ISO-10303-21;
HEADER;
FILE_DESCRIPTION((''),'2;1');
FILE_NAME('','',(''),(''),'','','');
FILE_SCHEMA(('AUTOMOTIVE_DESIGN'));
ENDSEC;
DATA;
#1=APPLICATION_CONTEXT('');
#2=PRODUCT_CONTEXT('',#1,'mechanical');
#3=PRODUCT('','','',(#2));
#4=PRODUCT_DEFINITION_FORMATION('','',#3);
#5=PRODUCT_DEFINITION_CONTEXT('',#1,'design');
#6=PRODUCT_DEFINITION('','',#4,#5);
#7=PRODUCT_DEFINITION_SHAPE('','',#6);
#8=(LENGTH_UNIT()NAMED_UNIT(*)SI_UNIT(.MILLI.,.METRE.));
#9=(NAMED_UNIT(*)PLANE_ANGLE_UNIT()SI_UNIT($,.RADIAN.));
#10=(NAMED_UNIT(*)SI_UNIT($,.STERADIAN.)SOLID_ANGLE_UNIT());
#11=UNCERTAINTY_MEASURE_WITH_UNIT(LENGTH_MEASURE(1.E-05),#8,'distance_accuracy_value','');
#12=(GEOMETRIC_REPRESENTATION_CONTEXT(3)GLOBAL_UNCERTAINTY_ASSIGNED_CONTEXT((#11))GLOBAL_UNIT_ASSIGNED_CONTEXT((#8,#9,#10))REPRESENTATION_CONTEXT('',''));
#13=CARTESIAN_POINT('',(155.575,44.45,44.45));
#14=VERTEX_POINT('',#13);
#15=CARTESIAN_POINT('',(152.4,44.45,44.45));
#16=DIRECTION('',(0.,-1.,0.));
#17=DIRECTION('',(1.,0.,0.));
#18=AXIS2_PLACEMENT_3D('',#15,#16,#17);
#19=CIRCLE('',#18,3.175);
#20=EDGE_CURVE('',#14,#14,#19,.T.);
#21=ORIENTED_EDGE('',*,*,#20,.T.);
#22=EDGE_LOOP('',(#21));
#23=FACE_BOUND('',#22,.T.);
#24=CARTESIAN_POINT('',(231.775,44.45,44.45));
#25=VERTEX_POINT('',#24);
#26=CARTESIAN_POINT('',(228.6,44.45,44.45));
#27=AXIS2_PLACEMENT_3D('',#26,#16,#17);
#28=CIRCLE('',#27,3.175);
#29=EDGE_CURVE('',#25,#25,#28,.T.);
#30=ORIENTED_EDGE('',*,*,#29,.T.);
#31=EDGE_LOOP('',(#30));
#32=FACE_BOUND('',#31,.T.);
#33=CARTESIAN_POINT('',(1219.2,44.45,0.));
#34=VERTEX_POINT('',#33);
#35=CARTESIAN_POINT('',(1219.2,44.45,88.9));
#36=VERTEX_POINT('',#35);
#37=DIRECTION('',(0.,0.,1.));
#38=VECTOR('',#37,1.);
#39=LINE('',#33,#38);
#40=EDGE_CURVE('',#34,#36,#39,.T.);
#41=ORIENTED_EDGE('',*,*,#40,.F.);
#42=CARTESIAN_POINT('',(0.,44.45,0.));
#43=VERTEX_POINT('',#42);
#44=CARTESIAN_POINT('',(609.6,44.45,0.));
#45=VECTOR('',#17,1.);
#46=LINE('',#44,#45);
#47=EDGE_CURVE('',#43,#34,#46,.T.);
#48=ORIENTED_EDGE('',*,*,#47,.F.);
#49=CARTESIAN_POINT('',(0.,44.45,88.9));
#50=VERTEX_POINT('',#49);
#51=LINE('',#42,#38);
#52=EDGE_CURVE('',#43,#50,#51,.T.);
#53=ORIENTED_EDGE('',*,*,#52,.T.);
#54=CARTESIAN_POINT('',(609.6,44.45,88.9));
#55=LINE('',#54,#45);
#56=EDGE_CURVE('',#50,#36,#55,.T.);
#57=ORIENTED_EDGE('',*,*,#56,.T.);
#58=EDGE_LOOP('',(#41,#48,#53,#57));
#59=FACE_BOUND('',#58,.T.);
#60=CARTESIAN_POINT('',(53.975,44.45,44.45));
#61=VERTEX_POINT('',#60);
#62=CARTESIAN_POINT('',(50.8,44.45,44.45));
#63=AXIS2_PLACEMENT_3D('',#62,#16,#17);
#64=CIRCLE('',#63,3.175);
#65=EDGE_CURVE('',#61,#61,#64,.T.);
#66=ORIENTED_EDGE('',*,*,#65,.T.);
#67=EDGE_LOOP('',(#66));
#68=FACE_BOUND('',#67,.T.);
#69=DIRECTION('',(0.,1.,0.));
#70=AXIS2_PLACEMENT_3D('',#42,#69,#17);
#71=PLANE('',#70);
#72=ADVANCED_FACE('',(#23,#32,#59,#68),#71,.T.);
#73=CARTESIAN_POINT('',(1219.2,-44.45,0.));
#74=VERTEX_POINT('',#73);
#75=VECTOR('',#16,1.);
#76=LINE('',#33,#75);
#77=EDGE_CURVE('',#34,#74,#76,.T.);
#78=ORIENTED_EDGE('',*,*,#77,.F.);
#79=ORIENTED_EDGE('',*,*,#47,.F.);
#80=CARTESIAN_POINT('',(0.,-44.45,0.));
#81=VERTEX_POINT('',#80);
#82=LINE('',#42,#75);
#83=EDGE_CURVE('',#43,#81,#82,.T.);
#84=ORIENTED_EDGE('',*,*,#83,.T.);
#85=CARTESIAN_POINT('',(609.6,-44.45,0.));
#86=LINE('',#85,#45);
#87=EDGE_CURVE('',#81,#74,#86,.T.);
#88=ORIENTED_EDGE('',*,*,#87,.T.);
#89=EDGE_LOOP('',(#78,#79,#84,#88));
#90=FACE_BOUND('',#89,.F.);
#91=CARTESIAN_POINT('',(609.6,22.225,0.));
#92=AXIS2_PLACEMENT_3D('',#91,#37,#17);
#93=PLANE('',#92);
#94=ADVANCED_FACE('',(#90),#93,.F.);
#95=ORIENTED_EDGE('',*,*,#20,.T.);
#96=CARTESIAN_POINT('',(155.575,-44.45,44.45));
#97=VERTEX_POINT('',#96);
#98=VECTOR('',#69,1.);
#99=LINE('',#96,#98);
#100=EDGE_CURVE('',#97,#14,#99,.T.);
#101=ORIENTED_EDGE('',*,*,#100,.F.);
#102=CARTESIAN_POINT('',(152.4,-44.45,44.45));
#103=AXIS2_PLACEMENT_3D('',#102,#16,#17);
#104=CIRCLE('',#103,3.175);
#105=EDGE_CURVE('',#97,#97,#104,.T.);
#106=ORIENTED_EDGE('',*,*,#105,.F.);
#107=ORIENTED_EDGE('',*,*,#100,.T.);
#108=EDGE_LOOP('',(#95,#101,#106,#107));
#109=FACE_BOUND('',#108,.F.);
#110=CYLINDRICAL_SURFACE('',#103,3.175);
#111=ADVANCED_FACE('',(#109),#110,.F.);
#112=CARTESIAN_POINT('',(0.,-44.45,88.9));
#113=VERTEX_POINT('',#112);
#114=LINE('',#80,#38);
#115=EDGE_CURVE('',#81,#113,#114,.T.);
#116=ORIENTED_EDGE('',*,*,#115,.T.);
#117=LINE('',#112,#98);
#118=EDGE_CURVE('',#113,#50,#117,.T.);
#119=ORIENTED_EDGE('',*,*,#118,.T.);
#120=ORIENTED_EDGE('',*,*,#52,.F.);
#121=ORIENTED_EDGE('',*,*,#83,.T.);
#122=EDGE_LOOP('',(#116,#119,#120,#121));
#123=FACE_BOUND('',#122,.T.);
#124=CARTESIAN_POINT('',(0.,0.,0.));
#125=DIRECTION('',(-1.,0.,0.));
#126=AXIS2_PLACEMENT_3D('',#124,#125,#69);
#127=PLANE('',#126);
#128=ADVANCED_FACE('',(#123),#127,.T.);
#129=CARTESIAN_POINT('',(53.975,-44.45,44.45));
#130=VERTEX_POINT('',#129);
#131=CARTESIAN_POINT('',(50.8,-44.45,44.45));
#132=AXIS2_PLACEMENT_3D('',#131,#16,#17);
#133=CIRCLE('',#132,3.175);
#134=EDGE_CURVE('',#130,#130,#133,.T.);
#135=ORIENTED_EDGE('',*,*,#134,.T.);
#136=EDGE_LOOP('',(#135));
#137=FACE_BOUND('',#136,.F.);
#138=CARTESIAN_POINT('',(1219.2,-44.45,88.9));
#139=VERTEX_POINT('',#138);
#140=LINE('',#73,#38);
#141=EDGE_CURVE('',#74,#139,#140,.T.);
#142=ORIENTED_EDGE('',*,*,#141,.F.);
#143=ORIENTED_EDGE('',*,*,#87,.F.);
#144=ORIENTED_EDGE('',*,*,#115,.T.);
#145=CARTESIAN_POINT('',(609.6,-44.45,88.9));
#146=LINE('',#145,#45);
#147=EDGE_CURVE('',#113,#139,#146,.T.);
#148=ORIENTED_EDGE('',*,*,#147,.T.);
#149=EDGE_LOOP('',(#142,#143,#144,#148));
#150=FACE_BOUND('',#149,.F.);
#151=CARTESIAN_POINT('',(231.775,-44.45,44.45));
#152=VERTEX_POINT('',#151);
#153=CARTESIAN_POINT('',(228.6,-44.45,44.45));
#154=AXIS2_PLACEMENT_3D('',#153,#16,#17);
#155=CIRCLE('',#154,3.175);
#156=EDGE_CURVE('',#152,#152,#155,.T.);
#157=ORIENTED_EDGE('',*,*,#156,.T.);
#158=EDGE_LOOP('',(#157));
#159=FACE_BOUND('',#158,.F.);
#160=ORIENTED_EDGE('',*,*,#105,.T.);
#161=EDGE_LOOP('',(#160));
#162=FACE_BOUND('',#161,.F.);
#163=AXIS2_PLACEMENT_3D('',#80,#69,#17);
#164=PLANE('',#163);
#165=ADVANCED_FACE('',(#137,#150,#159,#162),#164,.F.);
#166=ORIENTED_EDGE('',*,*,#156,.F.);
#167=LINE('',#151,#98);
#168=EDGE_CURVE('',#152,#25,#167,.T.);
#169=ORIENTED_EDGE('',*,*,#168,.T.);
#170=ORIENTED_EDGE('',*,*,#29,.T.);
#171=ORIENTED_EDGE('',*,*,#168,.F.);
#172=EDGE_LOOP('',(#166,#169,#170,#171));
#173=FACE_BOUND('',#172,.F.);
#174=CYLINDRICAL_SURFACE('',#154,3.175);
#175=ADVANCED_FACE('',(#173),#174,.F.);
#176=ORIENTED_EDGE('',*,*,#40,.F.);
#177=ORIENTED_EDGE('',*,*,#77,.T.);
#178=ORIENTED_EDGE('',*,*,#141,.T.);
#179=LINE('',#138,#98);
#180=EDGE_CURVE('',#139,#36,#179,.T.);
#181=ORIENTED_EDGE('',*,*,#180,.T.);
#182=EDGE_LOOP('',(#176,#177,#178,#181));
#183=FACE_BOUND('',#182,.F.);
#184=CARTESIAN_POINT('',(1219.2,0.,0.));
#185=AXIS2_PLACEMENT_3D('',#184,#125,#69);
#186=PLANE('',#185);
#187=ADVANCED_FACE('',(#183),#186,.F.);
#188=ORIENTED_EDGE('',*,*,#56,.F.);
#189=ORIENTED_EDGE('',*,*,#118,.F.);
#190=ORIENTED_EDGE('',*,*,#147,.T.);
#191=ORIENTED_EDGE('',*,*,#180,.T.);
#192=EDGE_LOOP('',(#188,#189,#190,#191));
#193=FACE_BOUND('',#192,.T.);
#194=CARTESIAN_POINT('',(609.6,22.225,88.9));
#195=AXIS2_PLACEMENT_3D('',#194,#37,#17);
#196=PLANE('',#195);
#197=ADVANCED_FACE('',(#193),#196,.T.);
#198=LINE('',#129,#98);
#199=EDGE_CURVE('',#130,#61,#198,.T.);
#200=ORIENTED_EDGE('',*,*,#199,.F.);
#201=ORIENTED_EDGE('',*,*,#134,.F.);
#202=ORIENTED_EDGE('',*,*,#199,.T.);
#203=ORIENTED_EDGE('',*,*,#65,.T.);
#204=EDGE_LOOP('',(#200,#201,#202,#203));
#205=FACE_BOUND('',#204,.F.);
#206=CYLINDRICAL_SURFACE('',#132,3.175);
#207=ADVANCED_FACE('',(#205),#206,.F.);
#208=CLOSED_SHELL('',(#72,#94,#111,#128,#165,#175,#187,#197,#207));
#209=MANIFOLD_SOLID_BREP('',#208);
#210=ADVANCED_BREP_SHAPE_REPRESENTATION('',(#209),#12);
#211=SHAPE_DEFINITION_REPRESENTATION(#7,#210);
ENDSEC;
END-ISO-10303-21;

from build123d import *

# Parameters (mm, degrees)
F0_W     = 1219.2
F0_H     = 44.45
F1_DEPTH = 88.9
F2_W     = 1219.2
F2_H     = 44.45
F3_DEPTH = 88.9
F4_R     = 3.175
F5_DEPTH = 88.901


with BuildPart() as f1:
    # F0 (on Top) → F1 (new body)
    with BuildSketch(Plane.XY):
        with Locations((609.6, -22.225)):
            Rectangle(F0_W, F0_H)
    extrude(amount=F1_DEPTH)

    # F2 (on Top) → F3 (join)
    with BuildSketch(Plane.XY):
        with Locations((609.6, 22.225)):
            Rectangle(F2_W, F2_H)
    extrude(amount=F3_DEPTH)

    # F4 (on face) → F5 (cut, through all)
    with BuildSketch(Plane.XZ.offset(44.45)):
        with Locations((50.8, 44.45)):
            Circle(F4_R)
        with Locations((152.4, 44.45)):
            Circle(F4_R)
        with Locations((228.6, 44.45)):
            Circle(F4_R)
    extrude(amount=-F5_DEPTH, mode=Mode.SUBTRACT)


solid = f1.part
